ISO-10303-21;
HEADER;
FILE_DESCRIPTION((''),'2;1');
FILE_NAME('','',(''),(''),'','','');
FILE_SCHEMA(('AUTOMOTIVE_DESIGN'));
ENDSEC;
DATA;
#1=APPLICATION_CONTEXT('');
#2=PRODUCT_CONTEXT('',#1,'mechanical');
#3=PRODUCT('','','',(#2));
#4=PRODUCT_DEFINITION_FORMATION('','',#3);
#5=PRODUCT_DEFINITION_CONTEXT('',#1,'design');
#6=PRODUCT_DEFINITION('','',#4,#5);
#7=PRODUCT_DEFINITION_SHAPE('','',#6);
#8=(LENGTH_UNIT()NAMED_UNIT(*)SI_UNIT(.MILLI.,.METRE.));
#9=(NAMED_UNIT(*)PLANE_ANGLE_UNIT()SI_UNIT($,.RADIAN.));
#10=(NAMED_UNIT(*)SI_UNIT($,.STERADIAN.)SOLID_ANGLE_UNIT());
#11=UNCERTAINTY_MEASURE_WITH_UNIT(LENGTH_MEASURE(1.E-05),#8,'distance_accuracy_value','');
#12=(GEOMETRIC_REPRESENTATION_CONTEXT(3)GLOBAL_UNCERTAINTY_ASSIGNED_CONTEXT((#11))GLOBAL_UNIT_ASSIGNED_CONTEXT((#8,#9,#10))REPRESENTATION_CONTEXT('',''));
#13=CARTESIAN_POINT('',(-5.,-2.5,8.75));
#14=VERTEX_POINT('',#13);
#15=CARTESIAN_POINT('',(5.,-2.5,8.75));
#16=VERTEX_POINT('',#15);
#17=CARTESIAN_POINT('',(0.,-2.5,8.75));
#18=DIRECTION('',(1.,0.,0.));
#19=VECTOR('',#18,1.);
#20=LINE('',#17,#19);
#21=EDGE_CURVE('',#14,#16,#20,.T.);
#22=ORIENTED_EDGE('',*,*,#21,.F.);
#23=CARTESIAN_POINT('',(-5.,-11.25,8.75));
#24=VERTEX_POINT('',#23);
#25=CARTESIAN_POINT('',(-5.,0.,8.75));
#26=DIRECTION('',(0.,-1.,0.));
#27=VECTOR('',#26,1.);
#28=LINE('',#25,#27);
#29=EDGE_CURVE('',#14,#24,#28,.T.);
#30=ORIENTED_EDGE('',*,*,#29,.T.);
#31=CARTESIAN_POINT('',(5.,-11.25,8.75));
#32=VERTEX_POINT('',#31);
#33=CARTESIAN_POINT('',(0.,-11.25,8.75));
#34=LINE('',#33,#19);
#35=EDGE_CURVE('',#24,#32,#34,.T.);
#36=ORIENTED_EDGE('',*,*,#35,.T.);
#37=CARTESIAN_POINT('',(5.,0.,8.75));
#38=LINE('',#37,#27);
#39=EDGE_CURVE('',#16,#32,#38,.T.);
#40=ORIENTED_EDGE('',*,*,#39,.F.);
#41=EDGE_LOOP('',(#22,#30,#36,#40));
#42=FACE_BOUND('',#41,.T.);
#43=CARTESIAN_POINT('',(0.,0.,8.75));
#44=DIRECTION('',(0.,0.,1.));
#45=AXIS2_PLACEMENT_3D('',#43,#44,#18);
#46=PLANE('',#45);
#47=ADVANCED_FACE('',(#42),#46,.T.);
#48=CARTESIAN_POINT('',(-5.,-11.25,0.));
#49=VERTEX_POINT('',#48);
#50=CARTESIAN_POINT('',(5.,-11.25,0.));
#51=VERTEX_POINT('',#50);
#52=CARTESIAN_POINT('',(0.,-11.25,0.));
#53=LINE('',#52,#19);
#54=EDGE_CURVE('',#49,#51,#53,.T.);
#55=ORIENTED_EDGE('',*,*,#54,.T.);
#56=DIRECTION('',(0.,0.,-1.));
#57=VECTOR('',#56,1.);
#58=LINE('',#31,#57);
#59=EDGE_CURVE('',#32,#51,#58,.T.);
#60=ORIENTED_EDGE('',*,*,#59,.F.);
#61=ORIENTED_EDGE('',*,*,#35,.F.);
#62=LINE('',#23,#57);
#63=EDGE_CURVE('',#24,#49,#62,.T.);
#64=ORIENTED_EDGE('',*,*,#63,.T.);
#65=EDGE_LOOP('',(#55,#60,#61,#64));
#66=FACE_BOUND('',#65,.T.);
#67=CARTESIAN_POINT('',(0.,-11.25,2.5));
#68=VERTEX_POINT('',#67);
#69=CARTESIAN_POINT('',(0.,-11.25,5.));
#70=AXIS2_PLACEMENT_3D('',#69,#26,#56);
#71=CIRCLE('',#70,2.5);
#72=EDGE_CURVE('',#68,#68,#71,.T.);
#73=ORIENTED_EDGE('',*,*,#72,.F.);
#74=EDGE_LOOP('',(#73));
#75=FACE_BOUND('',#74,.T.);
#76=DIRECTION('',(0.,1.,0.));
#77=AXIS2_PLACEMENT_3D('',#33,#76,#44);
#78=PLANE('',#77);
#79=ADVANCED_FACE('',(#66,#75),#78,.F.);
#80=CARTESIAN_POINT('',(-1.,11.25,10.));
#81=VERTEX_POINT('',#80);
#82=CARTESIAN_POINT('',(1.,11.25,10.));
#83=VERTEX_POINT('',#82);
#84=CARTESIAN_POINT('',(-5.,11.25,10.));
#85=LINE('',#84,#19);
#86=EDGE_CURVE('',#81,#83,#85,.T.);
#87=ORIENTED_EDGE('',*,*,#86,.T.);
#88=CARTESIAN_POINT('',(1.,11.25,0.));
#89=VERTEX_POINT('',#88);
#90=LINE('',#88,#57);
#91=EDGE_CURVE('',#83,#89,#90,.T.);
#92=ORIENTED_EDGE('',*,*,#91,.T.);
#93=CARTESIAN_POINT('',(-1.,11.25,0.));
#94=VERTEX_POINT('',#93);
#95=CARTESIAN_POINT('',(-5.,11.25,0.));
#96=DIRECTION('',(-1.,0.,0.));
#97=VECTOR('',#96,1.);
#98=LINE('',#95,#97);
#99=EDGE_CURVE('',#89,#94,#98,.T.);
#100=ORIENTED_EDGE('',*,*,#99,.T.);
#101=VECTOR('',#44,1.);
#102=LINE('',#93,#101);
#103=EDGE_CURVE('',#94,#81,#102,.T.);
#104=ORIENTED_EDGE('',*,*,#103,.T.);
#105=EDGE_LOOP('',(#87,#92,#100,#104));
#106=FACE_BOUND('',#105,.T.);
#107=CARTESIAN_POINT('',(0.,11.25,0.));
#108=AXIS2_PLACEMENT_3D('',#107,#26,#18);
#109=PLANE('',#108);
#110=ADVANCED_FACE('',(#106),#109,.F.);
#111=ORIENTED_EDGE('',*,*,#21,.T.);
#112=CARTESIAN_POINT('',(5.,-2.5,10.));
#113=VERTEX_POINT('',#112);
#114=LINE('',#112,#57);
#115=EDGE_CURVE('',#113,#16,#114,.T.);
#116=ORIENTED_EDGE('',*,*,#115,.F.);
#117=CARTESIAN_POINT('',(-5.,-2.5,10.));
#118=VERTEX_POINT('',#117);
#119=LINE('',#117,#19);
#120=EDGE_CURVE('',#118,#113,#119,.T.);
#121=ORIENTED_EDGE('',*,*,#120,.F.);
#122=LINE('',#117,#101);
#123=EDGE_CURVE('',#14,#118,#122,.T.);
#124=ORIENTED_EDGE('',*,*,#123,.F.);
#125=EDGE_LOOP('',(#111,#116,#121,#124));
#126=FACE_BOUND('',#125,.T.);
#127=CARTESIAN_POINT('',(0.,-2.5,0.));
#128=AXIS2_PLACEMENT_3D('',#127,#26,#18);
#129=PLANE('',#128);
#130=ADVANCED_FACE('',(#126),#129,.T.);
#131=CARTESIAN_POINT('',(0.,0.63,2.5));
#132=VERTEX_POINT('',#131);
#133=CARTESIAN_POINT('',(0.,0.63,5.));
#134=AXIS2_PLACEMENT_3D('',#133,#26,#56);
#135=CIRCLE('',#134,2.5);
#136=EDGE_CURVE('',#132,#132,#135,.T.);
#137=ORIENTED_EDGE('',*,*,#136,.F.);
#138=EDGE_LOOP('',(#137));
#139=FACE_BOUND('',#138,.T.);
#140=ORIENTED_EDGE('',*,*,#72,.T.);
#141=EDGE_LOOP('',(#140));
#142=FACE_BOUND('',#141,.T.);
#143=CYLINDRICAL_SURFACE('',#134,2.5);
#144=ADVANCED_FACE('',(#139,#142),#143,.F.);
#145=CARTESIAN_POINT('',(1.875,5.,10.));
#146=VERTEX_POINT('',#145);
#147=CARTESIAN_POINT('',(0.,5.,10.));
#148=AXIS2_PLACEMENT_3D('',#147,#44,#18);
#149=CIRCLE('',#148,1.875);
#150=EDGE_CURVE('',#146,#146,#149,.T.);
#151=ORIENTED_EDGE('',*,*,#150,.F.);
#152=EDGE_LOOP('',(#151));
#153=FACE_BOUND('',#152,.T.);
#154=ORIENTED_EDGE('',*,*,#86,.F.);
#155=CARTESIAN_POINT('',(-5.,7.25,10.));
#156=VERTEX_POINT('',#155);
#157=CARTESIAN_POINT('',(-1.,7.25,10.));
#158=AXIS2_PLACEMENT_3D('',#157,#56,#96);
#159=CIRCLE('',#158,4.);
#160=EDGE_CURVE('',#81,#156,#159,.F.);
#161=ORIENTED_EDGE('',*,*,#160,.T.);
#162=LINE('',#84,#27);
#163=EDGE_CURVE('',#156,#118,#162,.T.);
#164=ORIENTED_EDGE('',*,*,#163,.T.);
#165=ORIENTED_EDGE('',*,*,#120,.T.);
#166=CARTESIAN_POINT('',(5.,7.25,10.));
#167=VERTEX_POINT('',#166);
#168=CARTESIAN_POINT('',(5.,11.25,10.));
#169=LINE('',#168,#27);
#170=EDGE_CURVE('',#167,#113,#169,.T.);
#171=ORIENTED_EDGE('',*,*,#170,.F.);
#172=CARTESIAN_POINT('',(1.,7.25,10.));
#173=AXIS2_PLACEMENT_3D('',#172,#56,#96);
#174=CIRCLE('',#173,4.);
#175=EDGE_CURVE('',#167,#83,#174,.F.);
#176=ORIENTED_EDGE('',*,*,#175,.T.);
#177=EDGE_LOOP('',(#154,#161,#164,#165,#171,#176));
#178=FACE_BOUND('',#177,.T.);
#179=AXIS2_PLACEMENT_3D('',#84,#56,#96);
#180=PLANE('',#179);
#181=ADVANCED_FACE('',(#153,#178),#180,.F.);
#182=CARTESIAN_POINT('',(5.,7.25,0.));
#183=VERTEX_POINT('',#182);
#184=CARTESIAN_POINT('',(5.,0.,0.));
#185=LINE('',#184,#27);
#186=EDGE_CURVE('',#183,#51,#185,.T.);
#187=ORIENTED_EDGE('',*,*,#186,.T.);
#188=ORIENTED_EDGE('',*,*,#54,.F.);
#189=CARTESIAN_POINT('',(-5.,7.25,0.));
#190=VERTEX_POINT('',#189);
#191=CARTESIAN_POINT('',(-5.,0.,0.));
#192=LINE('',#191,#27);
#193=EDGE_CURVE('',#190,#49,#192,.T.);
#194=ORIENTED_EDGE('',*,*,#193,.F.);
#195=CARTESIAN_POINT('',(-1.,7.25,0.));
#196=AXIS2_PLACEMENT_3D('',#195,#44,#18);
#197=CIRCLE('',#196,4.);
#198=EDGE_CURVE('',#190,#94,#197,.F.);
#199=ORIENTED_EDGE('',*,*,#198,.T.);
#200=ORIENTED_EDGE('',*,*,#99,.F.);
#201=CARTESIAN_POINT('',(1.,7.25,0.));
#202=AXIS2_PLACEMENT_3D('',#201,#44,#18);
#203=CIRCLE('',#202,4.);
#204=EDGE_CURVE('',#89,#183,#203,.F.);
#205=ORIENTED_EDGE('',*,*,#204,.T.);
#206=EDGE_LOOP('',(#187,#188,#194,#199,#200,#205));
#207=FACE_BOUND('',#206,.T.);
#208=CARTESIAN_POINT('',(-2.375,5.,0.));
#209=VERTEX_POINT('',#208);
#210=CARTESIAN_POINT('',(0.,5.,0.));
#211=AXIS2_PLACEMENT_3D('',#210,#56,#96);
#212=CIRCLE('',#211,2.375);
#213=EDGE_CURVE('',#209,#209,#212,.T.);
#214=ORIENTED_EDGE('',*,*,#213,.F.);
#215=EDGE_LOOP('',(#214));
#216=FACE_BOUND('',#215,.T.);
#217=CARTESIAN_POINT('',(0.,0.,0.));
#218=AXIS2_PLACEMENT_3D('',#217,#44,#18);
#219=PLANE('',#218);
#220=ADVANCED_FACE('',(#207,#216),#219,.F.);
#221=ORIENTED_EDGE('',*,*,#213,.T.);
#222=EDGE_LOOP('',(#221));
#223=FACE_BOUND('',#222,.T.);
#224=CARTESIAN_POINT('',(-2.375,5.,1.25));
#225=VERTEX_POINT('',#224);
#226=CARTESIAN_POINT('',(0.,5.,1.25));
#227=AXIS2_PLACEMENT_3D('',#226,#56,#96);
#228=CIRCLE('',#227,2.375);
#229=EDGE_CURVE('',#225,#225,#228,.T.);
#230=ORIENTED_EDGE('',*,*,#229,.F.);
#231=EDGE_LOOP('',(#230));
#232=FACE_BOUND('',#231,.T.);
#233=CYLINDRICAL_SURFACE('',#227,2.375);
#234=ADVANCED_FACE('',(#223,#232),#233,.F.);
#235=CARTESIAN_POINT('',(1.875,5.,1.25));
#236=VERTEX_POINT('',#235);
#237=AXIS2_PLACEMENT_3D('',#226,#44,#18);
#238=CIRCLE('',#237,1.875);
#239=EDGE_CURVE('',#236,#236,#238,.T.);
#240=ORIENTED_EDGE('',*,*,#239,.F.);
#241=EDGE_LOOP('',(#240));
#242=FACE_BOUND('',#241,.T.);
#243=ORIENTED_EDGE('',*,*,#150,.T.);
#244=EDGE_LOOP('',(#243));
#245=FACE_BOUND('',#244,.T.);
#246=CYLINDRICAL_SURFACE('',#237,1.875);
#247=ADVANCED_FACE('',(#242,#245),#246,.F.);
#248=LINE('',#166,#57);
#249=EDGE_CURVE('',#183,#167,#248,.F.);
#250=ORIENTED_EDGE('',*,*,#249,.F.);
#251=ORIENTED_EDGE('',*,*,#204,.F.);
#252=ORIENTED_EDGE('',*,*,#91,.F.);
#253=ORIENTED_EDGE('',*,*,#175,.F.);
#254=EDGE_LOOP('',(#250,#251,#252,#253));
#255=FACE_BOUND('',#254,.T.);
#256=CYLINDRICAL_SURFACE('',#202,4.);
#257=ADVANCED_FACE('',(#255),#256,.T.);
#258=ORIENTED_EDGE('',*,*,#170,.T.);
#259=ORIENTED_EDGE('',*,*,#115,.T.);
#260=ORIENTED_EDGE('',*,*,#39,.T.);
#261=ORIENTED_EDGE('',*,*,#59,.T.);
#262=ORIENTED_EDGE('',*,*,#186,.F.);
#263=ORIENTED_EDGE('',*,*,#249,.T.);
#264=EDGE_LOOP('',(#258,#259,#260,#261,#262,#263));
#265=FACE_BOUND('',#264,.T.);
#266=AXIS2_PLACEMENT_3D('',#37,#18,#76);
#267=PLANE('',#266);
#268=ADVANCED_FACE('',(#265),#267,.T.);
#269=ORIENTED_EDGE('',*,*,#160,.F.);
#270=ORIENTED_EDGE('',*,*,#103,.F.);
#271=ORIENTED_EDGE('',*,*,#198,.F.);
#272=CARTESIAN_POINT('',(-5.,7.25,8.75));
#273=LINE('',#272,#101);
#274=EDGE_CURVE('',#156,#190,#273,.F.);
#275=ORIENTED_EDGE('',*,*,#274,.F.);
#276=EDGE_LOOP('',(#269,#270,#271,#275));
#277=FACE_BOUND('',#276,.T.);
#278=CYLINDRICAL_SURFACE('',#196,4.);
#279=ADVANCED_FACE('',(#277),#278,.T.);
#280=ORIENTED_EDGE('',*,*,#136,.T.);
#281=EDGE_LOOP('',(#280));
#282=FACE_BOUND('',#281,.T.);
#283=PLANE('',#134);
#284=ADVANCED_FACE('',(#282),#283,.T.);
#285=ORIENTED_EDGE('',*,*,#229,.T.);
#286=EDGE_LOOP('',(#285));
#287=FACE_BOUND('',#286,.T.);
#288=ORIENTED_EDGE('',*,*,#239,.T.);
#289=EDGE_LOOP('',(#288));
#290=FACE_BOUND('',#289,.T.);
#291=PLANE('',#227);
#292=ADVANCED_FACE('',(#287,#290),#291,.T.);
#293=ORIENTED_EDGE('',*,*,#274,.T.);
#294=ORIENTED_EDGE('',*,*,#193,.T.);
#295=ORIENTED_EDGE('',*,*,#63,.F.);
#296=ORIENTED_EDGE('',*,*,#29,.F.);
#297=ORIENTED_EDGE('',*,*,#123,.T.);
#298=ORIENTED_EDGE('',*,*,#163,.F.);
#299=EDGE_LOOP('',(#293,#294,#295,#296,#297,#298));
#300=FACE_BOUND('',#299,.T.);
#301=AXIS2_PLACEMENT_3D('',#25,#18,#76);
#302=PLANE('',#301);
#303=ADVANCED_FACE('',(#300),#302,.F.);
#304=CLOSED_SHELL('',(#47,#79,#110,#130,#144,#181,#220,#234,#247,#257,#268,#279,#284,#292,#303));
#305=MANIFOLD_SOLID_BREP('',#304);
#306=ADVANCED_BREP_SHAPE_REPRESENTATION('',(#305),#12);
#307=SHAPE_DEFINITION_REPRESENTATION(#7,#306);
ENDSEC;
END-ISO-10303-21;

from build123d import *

# Parameters (mm, degrees)
SKETCH2_W           = 10
SKETCH2_H           = 8.75
BOSS_EXTRUDE1_DEPTH = 8.75
SKETCH3_W           = 10
SKETCH3_H           = 10
BOSS_EXTRUDE2_DEPTH = 13.75
FILLET1_R           = 4
SKETCH4_R           = 2.5
CUT_EXTRUDE1_DEPTH  = 11.88
SKETCH5_R           = 1.875
CUT_EXTRUDE2_DEPTH  = 8.75
SKETCH6_R           = 2.375
CUT_EXTRUDE3_DEPTH  = 1.25


with BuildPart() as part:
    # Sketch2 → Boss-Extrude1 (new body)
    with BuildSketch(Plane.XY):
        with Locations((0, -6.875)):
            Rectangle(SKETCH2_W, SKETCH2_H)
    extrude(amount=BOSS_EXTRUDE1_DEPTH)

    # Sketch3 → Boss-Extrude2 (add)
    with BuildSketch(Plane(origin=(0, -2.5, 0), x_dir=(1, 0, 0), z_dir=(0, 1, 0))):
        with Locations((0, -5)):
            Rectangle(SKETCH3_W, SKETCH3_H)
    extrude(amount=BOSS_EXTRUDE2_DEPTH)

    # Fillet1
    fillet1_edges = [part.edges().sort_by_distance(p)[0] for p in [
        (5, 11.25, 5),
        (-5, 11.25, 5),
    ]]
    fillet(fillet1_edges, radius=FILLET1_R)

    # Sketch4 → Cut-Extrude1 (cut)
    with BuildSketch(Plane.XZ.offset(11.25)):
        with Locations((0, 5)):
            Circle(SKETCH4_R)
    extrude(amount=-CUT_EXTRUDE1_DEPTH, mode=Mode.SUBTRACT)

    # Sketch5 → Cut-Extrude2 (cut)
    with BuildSketch(Plane.XY.offset(10)):
        with Locations((0, 5)):
            Circle(SKETCH5_R)
    extrude(amount=-CUT_EXTRUDE2_DEPTH, mode=Mode.SUBTRACT)

    # Sketch6 → Cut-Extrude3 (cut)
    with BuildSketch(Plane(origin=(0, 0, 0), x_dir=(-1, 0, 0), z_dir=(0, 0, -1))):
        with Locations((0, 5)):
            Circle(SKETCH6_R)
    extrude(amount=-CUT_EXTRUDE3_DEPTH, mode=Mode.SUBTRACT)


solid = part.part
